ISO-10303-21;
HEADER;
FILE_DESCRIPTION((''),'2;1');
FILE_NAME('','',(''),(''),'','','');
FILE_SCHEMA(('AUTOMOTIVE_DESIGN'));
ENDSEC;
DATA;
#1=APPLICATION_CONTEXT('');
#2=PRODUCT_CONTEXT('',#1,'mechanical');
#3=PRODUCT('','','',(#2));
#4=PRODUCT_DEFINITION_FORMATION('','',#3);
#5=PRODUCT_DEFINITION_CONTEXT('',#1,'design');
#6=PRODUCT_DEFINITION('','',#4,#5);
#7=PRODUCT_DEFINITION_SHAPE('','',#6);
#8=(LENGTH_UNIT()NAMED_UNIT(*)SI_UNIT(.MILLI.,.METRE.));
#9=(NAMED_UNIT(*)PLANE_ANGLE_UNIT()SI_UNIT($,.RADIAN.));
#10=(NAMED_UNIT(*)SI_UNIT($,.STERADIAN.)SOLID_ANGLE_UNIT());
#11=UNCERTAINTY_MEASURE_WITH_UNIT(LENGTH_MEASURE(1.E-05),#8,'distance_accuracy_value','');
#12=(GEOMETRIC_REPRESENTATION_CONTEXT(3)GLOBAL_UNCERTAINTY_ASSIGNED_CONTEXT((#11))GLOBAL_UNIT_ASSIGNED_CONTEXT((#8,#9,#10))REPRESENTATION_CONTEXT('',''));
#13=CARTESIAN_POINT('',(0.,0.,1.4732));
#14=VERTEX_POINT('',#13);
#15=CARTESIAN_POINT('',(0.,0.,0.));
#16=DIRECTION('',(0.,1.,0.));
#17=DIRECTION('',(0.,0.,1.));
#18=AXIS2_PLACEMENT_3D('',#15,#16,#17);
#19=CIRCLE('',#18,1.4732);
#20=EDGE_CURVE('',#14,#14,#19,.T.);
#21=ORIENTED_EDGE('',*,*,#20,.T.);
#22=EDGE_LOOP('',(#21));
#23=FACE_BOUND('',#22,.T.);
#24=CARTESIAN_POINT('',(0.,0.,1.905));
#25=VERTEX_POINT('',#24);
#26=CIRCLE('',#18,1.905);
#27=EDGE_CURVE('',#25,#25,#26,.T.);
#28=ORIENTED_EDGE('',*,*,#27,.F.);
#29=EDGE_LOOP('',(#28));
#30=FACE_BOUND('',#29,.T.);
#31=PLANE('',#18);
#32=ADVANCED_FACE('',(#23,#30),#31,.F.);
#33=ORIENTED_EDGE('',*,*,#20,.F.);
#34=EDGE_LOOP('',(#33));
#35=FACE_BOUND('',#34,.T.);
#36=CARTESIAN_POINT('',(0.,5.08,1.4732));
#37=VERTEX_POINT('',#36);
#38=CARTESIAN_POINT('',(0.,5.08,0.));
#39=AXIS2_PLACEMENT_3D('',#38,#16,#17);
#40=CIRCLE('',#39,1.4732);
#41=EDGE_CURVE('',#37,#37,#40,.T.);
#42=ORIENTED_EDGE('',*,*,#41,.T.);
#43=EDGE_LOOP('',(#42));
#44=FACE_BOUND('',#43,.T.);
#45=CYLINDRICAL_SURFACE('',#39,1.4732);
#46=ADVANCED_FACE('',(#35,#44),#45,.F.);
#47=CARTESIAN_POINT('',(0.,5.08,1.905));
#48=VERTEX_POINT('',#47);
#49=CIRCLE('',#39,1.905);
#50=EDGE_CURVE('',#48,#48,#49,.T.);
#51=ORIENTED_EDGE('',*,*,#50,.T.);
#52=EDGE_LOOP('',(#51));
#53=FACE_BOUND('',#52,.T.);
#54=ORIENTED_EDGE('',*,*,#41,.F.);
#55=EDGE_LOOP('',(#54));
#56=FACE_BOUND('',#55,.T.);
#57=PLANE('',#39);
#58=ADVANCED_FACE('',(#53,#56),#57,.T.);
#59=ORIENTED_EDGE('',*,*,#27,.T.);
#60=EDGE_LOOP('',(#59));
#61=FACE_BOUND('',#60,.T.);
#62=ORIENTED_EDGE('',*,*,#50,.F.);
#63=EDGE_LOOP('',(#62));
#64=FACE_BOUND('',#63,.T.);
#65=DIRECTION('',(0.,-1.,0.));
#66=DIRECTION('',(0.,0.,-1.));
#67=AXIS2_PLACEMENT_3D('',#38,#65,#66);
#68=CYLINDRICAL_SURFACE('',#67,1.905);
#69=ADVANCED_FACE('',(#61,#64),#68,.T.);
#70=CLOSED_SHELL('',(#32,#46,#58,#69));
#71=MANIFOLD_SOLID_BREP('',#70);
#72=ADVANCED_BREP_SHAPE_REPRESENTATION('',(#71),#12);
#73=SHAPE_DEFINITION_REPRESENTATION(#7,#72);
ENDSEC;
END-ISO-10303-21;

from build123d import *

# Parameters (mm, degrees)
SKETCH1_R             = 1.905
BOSS_EXTRUDE1_DEPTH   = 5.08
F_4_CLEARANCE_HOLE1_D = 2.9464


with BuildPart() as part:
    # Sketch1 → Boss-Extrude1 (new body)
    with BuildSketch(Plane(origin=(0, 0, 0), x_dir=(1, 0, 0), z_dir=(0, 1, 0))):
        with Locations(Location((0, 0, 0), (0, 0, 270))):
            Circle(SKETCH1_R)
    extrude(amount=BOSS_EXTRUDE1_DEPTH)

    # #4 Clearance Hole1 (through all)
    with Locations(Plane(origin=(0, 5.08, 0), x_dir=(1, 0, 0), z_dir=(0, 1, 0))):
        with Locations((0, 0)):
            Hole(F_4_CLEARANCE_HOLE1_D / 2)


solid = part.part
